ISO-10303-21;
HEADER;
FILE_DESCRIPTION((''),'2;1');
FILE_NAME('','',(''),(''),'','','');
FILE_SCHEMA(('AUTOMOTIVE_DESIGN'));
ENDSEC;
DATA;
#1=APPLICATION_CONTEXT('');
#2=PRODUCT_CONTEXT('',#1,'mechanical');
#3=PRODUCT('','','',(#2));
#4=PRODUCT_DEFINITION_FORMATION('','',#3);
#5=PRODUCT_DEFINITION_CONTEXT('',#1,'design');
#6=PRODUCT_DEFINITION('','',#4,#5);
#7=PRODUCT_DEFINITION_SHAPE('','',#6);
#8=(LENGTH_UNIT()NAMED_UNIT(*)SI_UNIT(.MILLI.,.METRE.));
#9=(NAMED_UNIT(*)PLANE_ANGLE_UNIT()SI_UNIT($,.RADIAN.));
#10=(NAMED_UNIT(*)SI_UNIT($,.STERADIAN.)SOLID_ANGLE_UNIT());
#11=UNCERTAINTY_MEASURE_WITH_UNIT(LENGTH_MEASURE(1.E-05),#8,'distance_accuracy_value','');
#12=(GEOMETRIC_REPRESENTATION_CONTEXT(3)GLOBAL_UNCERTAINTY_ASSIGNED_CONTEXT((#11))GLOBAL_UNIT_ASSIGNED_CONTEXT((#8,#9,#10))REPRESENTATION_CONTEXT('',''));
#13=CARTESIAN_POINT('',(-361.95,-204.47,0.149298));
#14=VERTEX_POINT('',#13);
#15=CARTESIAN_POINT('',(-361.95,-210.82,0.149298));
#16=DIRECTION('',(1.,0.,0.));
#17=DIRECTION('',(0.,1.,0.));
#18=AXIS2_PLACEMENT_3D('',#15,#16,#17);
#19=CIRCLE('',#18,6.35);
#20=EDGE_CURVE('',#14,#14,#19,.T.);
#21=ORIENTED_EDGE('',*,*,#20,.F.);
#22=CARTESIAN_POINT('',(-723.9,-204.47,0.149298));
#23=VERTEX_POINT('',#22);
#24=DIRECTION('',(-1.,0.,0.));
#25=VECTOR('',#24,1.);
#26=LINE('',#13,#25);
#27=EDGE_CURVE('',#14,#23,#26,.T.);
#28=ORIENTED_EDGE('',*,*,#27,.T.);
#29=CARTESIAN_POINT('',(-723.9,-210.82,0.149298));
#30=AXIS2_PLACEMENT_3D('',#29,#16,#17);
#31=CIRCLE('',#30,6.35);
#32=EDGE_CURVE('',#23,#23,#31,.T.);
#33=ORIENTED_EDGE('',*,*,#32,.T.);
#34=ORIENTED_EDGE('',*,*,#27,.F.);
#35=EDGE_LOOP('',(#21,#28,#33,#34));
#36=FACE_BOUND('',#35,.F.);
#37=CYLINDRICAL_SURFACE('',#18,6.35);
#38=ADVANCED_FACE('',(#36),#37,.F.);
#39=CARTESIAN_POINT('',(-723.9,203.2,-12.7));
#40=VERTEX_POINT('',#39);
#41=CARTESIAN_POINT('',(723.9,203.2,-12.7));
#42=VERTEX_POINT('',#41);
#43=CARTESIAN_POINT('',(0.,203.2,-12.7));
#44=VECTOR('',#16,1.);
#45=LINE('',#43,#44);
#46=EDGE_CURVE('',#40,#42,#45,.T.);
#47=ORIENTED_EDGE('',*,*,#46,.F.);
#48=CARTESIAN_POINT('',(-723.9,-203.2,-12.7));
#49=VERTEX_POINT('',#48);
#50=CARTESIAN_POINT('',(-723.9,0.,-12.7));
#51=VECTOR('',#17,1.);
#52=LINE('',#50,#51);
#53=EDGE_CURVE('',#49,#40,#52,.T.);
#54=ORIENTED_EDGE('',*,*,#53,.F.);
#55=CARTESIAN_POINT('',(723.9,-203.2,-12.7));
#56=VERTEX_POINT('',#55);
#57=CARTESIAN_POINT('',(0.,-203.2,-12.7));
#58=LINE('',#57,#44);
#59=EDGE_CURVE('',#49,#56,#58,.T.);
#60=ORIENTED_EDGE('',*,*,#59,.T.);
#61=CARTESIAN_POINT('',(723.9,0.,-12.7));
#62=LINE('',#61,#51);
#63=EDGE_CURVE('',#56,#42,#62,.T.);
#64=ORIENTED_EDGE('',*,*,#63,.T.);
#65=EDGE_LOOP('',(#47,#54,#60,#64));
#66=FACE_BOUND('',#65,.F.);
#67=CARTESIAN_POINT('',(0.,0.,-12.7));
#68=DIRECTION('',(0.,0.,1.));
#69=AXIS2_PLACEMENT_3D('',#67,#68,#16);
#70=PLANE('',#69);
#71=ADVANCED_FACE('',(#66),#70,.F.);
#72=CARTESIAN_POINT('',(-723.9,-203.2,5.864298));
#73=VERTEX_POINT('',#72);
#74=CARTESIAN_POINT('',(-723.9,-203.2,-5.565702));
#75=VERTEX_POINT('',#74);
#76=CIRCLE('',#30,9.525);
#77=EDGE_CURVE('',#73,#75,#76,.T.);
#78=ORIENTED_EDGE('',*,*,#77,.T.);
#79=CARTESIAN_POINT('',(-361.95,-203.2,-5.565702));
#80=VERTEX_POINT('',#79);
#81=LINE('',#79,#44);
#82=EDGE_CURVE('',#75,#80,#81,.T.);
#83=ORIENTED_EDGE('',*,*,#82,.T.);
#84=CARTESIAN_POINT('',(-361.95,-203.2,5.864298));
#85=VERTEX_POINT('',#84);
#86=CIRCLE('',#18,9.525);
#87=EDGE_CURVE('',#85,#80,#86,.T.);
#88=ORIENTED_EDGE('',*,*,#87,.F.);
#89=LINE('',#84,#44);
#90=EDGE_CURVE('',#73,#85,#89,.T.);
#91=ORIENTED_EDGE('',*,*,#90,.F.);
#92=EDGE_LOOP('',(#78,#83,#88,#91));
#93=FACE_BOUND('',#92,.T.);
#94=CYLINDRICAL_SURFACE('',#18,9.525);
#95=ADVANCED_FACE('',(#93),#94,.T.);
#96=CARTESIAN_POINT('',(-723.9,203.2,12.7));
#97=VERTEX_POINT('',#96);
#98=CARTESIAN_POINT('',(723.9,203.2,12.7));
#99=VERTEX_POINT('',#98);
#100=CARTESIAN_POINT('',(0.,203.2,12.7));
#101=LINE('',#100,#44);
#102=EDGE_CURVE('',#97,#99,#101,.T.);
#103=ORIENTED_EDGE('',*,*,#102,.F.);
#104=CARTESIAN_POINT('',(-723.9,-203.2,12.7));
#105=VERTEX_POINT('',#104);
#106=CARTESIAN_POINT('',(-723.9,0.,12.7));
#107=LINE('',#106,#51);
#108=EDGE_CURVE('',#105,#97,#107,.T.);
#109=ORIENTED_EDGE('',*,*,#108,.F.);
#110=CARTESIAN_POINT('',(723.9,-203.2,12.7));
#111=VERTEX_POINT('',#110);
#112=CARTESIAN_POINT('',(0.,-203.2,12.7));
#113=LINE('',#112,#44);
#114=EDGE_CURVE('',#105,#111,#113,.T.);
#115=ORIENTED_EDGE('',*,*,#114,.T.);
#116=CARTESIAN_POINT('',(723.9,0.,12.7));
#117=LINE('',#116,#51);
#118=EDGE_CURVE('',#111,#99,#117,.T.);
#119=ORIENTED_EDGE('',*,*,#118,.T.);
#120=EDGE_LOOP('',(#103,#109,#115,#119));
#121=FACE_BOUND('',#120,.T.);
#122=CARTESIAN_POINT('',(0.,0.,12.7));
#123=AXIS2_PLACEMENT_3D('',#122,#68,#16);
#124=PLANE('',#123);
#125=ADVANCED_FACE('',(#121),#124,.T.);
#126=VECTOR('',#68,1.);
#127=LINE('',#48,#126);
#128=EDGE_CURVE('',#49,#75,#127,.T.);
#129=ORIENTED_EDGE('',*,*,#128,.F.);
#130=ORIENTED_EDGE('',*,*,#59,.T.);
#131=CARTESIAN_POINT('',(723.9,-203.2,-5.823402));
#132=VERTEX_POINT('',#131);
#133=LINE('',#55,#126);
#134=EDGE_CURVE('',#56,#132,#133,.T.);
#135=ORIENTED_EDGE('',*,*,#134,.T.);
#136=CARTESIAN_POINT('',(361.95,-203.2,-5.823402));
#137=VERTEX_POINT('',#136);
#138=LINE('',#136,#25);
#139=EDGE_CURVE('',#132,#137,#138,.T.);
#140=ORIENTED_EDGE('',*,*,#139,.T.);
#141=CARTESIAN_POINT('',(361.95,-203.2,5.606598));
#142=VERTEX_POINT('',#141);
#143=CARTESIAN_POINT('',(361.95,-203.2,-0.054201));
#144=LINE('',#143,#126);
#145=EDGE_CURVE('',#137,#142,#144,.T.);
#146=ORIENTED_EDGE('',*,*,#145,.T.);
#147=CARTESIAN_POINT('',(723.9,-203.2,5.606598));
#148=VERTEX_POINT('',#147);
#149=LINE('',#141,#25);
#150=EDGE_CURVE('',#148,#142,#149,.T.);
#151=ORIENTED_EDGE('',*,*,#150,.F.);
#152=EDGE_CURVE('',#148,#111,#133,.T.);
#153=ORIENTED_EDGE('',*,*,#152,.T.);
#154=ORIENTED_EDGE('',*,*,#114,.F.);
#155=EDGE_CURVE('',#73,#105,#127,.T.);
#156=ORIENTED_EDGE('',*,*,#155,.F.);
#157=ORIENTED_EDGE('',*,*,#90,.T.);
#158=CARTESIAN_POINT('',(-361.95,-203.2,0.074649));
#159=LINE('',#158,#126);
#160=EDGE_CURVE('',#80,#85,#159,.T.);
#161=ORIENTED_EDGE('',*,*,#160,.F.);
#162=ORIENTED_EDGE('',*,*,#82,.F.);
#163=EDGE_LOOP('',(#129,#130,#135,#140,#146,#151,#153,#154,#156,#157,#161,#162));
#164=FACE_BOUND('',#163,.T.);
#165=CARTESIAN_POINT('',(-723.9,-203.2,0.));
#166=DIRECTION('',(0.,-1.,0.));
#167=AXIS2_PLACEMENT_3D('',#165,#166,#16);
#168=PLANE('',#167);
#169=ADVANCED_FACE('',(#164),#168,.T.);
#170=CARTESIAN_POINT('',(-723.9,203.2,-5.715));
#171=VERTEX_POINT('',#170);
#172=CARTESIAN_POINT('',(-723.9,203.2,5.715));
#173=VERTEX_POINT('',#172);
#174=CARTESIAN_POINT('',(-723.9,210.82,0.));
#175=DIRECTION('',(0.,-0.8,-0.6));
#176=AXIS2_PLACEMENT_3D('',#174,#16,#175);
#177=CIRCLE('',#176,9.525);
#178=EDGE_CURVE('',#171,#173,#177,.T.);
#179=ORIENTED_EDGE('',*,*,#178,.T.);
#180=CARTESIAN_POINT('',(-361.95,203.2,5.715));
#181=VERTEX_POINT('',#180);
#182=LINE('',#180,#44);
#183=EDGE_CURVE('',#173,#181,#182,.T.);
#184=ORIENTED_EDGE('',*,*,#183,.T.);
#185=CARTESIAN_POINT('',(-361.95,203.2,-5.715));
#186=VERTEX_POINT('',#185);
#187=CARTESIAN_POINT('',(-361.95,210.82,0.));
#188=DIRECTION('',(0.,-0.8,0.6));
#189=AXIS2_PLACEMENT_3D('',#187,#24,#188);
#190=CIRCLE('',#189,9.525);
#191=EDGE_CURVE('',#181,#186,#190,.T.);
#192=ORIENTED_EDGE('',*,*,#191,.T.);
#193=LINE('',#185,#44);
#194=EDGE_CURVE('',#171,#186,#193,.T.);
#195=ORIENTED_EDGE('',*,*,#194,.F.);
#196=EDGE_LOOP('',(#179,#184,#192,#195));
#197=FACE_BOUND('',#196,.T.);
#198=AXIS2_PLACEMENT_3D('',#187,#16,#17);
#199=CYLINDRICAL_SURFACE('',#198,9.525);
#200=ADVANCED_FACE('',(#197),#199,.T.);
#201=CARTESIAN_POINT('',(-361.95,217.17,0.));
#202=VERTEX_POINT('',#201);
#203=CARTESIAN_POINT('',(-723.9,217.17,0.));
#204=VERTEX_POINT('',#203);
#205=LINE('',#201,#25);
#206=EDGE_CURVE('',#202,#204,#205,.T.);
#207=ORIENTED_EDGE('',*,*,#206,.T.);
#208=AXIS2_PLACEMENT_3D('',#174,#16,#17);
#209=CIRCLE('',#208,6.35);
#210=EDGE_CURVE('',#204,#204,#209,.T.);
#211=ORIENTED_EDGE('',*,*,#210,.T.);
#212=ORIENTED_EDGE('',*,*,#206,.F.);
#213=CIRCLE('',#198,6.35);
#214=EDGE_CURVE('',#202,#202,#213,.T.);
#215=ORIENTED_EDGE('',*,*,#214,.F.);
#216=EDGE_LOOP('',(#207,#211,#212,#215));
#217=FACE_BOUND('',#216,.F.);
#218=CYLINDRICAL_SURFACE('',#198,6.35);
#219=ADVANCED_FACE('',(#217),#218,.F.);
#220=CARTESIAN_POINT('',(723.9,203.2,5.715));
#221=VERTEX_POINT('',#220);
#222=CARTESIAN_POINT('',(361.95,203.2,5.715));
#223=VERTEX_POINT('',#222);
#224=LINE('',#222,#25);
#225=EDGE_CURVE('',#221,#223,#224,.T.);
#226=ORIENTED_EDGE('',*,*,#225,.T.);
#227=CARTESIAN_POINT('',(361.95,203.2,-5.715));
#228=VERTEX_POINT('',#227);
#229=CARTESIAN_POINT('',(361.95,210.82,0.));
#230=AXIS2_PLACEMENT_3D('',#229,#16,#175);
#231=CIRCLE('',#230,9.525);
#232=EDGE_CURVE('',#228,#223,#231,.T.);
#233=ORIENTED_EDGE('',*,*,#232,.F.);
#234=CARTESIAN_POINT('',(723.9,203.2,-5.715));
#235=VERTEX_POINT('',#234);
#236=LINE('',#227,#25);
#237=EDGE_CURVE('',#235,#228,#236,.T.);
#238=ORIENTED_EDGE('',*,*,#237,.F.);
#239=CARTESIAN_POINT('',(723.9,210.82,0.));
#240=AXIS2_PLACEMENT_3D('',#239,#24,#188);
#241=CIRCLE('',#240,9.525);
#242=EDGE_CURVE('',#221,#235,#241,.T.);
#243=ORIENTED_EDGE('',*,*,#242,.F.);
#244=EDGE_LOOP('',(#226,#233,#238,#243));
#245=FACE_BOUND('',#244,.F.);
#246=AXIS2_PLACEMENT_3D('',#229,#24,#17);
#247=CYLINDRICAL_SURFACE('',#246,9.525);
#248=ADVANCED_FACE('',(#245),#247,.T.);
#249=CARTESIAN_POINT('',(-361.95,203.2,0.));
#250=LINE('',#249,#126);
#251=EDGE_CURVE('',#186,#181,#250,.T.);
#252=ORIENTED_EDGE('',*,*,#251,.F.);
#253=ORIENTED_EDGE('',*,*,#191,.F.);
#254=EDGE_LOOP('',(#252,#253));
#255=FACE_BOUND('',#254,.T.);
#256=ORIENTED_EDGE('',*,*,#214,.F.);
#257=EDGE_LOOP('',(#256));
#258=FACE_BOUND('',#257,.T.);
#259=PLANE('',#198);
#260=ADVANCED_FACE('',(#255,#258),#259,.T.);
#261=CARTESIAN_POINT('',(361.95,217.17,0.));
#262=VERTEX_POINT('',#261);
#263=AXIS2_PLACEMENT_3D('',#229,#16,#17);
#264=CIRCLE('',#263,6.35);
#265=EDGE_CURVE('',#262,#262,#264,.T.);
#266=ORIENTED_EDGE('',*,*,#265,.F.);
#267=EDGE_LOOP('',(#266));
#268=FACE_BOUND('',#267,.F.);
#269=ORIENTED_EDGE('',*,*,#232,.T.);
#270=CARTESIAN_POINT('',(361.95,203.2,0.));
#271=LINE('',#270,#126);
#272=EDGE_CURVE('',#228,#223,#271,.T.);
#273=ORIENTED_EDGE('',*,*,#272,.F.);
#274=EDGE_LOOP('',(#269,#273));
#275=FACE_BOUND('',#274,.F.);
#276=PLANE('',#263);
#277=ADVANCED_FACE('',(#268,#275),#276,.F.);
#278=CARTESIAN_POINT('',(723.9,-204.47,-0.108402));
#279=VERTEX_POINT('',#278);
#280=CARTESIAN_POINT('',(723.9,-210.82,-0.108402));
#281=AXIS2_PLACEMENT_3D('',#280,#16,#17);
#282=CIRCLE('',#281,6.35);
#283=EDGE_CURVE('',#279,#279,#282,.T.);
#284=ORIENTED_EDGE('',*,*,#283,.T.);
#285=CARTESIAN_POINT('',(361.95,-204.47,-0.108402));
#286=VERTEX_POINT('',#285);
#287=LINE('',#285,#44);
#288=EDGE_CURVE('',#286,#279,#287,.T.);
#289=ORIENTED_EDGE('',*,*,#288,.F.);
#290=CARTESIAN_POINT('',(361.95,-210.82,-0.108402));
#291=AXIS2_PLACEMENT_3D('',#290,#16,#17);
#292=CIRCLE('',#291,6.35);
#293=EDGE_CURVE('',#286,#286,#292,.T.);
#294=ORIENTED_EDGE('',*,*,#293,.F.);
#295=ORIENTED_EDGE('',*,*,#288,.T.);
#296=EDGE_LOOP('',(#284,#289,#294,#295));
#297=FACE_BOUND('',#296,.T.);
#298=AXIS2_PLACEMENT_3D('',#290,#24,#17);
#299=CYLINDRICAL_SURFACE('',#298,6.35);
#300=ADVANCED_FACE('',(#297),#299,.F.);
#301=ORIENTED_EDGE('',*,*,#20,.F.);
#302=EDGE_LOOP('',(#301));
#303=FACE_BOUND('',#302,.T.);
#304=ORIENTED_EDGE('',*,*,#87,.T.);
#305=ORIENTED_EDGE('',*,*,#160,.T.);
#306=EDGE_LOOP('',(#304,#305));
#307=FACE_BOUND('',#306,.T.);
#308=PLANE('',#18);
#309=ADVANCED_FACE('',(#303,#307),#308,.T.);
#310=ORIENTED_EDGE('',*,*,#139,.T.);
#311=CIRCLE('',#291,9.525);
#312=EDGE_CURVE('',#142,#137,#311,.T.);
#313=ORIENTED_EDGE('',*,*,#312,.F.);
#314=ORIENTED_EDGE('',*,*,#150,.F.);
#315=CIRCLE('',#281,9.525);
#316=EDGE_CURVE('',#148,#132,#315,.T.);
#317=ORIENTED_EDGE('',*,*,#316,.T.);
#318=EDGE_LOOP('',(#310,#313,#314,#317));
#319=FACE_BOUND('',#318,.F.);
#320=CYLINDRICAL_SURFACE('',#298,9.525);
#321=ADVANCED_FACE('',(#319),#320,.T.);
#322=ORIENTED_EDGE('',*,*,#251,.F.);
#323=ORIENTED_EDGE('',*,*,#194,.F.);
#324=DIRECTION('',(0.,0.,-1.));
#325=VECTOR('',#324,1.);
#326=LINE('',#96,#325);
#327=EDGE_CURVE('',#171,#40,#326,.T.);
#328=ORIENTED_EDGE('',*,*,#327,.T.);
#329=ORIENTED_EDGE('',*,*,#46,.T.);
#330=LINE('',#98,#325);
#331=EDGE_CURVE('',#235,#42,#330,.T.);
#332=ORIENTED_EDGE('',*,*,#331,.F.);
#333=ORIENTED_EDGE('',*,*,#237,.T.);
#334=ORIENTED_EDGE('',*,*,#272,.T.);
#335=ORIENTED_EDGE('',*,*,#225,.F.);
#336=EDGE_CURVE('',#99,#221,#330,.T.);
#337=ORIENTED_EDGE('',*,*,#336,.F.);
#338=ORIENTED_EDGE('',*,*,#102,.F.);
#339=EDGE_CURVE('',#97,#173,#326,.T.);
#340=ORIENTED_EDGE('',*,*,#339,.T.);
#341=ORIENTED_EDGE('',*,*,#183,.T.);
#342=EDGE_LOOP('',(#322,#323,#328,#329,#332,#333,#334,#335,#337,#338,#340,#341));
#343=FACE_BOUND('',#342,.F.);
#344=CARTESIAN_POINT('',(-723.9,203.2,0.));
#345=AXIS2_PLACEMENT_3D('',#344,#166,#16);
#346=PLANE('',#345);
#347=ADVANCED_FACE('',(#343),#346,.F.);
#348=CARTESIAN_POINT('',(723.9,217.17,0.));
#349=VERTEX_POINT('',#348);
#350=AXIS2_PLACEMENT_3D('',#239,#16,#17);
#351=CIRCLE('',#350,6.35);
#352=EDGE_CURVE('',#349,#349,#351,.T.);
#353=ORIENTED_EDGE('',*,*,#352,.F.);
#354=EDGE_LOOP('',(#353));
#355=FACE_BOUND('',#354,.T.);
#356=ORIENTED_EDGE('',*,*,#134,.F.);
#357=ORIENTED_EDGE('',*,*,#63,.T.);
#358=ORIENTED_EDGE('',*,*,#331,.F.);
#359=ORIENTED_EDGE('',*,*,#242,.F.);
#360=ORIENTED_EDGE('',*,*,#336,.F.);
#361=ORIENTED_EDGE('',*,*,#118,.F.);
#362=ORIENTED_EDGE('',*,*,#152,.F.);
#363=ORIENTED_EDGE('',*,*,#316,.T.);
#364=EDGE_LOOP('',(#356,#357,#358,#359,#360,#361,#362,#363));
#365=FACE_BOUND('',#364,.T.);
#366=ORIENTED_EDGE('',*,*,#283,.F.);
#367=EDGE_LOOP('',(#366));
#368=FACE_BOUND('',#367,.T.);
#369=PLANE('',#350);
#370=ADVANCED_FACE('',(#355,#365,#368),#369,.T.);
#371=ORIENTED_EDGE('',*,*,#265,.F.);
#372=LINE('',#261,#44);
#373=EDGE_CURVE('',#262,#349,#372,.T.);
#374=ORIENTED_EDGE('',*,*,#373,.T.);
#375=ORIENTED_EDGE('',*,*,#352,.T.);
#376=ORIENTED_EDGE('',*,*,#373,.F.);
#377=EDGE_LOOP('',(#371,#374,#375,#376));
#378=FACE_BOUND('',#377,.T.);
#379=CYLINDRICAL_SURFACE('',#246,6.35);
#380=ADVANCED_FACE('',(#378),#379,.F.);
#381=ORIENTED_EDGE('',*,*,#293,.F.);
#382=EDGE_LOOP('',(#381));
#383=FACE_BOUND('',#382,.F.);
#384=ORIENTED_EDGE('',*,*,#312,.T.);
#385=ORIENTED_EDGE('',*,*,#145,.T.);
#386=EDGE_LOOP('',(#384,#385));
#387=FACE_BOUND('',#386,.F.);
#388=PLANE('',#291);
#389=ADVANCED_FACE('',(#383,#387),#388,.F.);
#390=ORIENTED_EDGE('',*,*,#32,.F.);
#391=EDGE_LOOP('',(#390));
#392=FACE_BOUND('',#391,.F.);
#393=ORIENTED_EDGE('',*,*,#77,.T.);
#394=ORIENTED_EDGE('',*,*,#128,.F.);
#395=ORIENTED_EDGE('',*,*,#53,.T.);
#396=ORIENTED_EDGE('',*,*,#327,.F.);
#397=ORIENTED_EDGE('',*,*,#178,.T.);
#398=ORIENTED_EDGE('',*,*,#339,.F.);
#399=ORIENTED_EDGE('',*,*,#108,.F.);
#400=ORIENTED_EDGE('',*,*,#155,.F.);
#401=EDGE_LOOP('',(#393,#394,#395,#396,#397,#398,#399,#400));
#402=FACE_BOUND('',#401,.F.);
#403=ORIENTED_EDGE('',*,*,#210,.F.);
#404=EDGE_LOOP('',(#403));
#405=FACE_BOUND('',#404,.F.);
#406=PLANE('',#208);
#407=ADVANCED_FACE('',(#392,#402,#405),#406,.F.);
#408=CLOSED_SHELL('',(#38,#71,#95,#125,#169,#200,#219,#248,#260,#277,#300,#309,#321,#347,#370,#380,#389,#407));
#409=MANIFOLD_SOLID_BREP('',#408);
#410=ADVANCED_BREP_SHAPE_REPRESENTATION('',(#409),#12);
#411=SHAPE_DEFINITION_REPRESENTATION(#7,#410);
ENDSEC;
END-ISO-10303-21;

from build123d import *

# Parameters (mm, degrees)
F0_W     = 1447.8
F0_H     = 406.4
F5_DEPTH = 12.7
F4_R     = 9.525
F4_R_2   = 6.35
F6_DEPTH = 361.95
F3_R     = 9.525
F3_R_2   = 6.35
F7_DEPTH = 361.95
F8_DEPTH = 361.95
F9_DEPTH = 361.95


with BuildPart() as f5:
    # F0 (on Top) → F5 (new body, symmetric)
    with BuildSketch(Plane.XY):
        Rectangle(F0_W, F0_H)
    extrude(amount=F5_DEPTH, both=True)

    # F4 (on offset) → F6 (join)
    with BuildSketch(Plane.YZ.offset(-361.95)):
        with Locations((210.82, 0)):
            Circle(F4_R)
        with Locations((210.82, 0)):
            Circle(F4_R_2, mode=Mode.SUBTRACT)
    extrude(amount=-F6_DEPTH)

    # F3 (on offset) → F7 (join)
    with BuildSketch(Plane.YZ.offset(361.95)):
        with Locations((210.82, 0)):
            Circle(F3_R)
        with Locations((210.82, 0)):
            Circle(F3_R_2, mode=Mode.SUBTRACT)
    extrude(amount=F7_DEPTH)

    # F4 (on offset) → F8 (join)
    with BuildSketch(Plane.YZ.offset(-361.95)):
        with Locations((-210.82, 0.1492979936)):
            Circle(F4_R)
        with Locations((-210.82, 0.1492979936)):
            Circle(F4_R_2, mode=Mode.SUBTRACT)
    extrude(amount=-F8_DEPTH)

    # F3 (on offset) → F9 (join)
    with BuildSketch(Plane.YZ.offset(361.95)):
        with Locations((-210.82, -0.1084019023)):
            Circle(F3_R)
        with Locations((-210.82, -0.1084019023)):
            Circle(F3_R_2, mode=Mode.SUBTRACT)
    extrude(amount=F9_DEPTH)


solid = f5.part
